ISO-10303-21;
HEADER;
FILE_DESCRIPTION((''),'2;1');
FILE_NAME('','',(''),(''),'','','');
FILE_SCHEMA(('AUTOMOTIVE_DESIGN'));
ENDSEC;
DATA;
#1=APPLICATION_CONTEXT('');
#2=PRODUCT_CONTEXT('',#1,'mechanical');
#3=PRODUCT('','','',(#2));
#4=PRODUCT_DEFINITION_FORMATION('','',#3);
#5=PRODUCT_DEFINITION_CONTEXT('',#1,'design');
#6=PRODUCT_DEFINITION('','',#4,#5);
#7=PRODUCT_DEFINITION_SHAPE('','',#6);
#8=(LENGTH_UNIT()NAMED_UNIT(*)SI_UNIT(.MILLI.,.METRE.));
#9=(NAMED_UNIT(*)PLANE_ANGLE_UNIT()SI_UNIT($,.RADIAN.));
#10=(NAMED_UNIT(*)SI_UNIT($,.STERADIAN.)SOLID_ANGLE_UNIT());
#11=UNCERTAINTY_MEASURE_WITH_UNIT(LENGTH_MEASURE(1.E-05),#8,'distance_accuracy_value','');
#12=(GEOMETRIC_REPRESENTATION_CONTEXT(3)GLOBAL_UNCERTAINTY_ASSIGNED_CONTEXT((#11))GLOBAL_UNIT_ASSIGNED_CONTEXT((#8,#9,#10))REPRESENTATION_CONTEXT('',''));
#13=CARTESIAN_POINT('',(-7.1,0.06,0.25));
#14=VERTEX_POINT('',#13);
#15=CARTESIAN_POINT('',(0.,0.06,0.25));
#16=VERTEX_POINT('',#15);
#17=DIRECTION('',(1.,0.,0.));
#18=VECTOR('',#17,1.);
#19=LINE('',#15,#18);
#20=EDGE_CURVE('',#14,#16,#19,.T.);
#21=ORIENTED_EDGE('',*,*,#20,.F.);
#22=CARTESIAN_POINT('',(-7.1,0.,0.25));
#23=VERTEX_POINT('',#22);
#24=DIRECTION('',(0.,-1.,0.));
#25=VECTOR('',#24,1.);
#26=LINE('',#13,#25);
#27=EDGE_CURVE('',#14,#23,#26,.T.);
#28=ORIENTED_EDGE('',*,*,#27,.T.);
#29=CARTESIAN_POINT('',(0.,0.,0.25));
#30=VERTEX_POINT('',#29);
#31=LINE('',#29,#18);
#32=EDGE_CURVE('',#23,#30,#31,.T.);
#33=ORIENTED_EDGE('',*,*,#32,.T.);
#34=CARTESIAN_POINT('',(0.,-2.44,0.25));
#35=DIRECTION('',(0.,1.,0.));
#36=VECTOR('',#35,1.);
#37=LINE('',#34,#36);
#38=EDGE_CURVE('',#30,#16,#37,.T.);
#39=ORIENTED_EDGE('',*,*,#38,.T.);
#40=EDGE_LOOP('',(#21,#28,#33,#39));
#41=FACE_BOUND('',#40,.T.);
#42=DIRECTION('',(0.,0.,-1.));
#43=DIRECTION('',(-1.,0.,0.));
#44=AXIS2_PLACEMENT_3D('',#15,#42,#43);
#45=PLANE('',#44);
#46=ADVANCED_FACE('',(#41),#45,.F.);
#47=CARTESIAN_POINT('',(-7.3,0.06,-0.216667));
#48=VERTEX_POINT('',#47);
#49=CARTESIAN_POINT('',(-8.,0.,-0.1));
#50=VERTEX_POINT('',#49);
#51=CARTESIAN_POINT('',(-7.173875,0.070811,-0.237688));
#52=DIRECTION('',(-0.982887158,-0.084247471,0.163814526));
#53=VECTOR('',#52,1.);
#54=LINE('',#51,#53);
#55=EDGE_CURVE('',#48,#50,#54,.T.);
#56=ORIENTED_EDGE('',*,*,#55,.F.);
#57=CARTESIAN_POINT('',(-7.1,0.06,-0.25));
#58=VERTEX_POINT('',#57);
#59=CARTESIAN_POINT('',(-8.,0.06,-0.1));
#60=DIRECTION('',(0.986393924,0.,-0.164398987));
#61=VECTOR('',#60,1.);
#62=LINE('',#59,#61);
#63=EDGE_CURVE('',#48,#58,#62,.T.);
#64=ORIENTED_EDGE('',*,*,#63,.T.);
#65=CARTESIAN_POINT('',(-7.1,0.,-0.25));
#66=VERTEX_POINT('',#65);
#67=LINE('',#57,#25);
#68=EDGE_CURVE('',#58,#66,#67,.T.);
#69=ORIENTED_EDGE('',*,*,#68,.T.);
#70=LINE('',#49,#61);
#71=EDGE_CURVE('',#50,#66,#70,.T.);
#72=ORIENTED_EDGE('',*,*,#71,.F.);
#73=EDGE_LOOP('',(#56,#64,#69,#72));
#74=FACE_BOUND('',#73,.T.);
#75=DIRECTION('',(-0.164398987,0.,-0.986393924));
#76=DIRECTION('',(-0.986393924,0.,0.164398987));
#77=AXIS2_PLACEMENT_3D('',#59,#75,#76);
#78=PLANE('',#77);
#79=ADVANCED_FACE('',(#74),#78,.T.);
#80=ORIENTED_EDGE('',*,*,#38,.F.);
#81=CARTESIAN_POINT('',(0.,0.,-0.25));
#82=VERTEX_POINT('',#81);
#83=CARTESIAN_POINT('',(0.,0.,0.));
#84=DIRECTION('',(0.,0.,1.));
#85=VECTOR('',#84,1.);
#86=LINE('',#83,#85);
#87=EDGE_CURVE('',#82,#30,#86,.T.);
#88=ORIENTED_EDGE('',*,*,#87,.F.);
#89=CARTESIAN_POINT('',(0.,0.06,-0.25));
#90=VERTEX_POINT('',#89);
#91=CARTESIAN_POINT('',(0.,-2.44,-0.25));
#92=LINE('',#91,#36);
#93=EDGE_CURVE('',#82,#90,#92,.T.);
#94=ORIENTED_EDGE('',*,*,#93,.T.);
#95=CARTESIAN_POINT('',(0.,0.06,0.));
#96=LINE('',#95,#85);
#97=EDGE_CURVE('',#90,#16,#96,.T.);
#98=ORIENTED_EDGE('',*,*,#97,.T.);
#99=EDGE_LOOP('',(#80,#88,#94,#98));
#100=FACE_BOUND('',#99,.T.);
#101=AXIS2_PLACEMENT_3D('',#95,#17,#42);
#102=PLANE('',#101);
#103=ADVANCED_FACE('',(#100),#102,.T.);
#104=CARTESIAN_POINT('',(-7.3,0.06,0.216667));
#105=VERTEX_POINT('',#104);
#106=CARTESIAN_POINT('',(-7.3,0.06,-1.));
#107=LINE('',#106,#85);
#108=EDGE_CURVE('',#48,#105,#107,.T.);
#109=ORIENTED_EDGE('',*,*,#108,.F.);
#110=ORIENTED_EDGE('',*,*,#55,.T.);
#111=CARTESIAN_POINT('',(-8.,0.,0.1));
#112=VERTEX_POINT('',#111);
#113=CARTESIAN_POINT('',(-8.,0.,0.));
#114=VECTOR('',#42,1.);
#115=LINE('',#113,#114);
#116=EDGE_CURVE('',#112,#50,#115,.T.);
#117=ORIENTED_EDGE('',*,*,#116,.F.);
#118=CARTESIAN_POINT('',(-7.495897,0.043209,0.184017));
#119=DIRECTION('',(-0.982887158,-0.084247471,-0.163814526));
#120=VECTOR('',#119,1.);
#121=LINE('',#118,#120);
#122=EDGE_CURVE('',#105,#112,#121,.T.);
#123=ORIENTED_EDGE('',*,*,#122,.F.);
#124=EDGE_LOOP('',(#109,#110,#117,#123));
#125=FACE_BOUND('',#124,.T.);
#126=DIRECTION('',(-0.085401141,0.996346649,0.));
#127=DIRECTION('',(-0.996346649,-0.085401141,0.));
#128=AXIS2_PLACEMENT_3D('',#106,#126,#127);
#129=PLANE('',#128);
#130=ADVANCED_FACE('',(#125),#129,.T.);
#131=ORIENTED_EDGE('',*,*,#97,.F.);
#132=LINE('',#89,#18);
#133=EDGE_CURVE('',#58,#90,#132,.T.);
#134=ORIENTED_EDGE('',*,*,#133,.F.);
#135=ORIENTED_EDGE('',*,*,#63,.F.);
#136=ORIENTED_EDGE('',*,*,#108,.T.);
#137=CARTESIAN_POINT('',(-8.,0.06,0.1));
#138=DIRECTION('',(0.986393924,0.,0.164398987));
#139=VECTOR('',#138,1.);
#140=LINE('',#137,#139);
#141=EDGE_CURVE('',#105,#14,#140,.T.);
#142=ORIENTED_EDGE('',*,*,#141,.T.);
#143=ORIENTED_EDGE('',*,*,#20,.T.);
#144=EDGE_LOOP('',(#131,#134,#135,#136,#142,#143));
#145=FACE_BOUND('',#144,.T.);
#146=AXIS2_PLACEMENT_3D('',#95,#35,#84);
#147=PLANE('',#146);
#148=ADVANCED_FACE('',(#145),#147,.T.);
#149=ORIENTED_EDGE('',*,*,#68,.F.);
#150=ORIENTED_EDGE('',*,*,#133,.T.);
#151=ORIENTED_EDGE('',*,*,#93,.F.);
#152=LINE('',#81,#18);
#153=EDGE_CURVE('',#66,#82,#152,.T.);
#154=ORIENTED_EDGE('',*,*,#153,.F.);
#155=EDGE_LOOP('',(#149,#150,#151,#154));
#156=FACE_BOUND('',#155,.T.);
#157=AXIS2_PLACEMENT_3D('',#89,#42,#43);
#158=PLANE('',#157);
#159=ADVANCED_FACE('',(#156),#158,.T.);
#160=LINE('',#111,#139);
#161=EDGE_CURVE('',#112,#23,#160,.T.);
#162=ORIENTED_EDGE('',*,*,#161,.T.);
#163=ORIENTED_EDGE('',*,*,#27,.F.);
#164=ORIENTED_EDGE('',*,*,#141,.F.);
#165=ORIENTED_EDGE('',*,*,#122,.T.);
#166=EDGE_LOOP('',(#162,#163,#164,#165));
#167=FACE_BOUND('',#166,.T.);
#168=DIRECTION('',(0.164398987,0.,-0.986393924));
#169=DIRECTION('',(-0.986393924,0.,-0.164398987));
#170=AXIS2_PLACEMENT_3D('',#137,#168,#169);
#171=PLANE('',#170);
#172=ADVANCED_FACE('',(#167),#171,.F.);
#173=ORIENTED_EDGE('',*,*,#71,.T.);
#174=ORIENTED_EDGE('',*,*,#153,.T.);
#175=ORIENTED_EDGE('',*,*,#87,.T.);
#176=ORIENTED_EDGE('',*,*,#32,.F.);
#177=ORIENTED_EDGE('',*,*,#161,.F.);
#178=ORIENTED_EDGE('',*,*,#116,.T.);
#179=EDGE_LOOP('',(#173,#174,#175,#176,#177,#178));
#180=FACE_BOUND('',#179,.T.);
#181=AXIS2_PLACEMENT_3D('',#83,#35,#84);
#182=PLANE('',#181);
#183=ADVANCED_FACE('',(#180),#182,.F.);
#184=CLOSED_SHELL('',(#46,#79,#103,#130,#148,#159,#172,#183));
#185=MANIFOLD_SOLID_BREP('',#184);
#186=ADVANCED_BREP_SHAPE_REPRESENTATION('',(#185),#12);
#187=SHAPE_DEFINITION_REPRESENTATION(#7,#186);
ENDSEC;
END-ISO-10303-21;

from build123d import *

# Parameters (mm, degrees)
BOSS_EXTRUDE1_DEPTH = 0.06
CUT_EXTRUDE3_DEPTH  = 9.09728967
CUT_EXTRUDE4_DEPTH  = 9.09728967
CUT_EXTRUDE5_DEPTH  = 2.5


with BuildPart() as part:
    # Sketch1 → Boss-Extrude1 (new body)
    with BuildSketch(Plane(origin=(0, 0, 0), x_dir=(1, 0, 0), z_dir=(0, 1, 0))):
        with BuildLine():
            ThreePointArc((-0.362264151, -0.932075472), (-0.747576714, -0.664175471), (-0.968245837, -0.25))
            Line((-0.968245837, -0.25), (-4, -0.25))
            Line((-4, -0.25), (-0.362264151, -0.932075472))
        make_face()
        with BuildLine():
            ThreePointArc((-0.968245837, 0.25), (-0.747576714, 0.664175471), (-0.362264151, 0.932075472))
            Line((-0.362264151, 0.932075472), (-4, 0.25))
            Line((-4, 0.25), (-0.968245837, 0.25))
        make_face()
        with BuildLine():
            ThreePointArc((-0.968245837, -0.25), (-1, 0), (-0.968245837, 0.25))
            Line((-0.968245837, 0.25), (-4, 0.25))
            Line((-4, 0.25), (-8, 0.25))
            Line((-8, 0.25), (-8, -0.25))
            Line((-8, -0.25), (-4, -0.25))
            Line((-4, -0.25), (-0.968245837, -0.25))
        make_face()
        with BuildLine():
            Line((0, -1), (0, -0.25))
            Line((0, -0.25), (-0.968245837, -0.25))
            ThreePointArc((-0.968245837, -0.25), (-0.747576714, -0.664175471), (-0.362264151, -0.932075472))
            Line((-0.362264151, -0.932075472), (0, -1))
        make_face()
        with BuildLine():
            Line((0, 0.25), (0, 1))
            Line((0, 1), (-0.362264151, 0.932075472))
            ThreePointArc((-0.362264151, 0.932075472), (-0.747576714, 0.664175471), (-0.968245837, 0.25))
            Line((-0.968245837, 0.25), (0, 0.25))
        make_face()
        with BuildLine():
            Line((0, -0.25), (0, 0.25))
            Line((0, 0.25), (-0.968245837, 0.25))
            ThreePointArc((-0.968245837, 0.25), (-1, 0), (-0.968245837, -0.25))
            Line((-0.968245837, -0.25), (0, -0.25))
        make_face()
    extrude(amount=BOSS_EXTRUDE1_DEPTH)

    # Sketch5 → Cut-Extrude3 (cut, through all)
    with BuildSketch(Plane.XY.offset(0.25)):
        Polygon((-8, 0), (-8, 0.06), (-7.3, 0.06), align=None)
    extrude(amount=-CUT_EXTRUDE3_DEPTH, mode=Mode.SUBTRACT)

    # 3DSketch1 → Cut-Extrude4 (cut, through all)
    with BuildSketch(Plane(origin=(-8, 0.06, 0.25), x_dir=(0.8741572761215383, 0, -0.4856429311786313), z_dir=(0, -1, 0))):
        Polygon((0, 0), (0.07284644, -0.131123591), (0.786741549, 0.437078638), align=None)
        Polygon((1.029563014, 0), (0.242821466, -0.437078638), (0.169975026, -0.305955047), align=None)
    extrude(amount=CUT_EXTRUDE4_DEPTH, mode=Mode.SUBTRACT)

    # Sketch6 → Cut-Extrude5 (cut)
    with BuildSketch(Plane(origin=(0, 0.06, 0), x_dir=(1, 0, 0), z_dir=(0, 1, 0))):
        Polygon((0, 1), (-4, 0.25), (0, 0.25), align=None)
        Polygon((0, -0.25), (-4, -0.25), (0, -1), align=None)
    extrude(amount=-CUT_EXTRUDE5_DEPTH, mode=Mode.SUBTRACT)


solid = part.part
